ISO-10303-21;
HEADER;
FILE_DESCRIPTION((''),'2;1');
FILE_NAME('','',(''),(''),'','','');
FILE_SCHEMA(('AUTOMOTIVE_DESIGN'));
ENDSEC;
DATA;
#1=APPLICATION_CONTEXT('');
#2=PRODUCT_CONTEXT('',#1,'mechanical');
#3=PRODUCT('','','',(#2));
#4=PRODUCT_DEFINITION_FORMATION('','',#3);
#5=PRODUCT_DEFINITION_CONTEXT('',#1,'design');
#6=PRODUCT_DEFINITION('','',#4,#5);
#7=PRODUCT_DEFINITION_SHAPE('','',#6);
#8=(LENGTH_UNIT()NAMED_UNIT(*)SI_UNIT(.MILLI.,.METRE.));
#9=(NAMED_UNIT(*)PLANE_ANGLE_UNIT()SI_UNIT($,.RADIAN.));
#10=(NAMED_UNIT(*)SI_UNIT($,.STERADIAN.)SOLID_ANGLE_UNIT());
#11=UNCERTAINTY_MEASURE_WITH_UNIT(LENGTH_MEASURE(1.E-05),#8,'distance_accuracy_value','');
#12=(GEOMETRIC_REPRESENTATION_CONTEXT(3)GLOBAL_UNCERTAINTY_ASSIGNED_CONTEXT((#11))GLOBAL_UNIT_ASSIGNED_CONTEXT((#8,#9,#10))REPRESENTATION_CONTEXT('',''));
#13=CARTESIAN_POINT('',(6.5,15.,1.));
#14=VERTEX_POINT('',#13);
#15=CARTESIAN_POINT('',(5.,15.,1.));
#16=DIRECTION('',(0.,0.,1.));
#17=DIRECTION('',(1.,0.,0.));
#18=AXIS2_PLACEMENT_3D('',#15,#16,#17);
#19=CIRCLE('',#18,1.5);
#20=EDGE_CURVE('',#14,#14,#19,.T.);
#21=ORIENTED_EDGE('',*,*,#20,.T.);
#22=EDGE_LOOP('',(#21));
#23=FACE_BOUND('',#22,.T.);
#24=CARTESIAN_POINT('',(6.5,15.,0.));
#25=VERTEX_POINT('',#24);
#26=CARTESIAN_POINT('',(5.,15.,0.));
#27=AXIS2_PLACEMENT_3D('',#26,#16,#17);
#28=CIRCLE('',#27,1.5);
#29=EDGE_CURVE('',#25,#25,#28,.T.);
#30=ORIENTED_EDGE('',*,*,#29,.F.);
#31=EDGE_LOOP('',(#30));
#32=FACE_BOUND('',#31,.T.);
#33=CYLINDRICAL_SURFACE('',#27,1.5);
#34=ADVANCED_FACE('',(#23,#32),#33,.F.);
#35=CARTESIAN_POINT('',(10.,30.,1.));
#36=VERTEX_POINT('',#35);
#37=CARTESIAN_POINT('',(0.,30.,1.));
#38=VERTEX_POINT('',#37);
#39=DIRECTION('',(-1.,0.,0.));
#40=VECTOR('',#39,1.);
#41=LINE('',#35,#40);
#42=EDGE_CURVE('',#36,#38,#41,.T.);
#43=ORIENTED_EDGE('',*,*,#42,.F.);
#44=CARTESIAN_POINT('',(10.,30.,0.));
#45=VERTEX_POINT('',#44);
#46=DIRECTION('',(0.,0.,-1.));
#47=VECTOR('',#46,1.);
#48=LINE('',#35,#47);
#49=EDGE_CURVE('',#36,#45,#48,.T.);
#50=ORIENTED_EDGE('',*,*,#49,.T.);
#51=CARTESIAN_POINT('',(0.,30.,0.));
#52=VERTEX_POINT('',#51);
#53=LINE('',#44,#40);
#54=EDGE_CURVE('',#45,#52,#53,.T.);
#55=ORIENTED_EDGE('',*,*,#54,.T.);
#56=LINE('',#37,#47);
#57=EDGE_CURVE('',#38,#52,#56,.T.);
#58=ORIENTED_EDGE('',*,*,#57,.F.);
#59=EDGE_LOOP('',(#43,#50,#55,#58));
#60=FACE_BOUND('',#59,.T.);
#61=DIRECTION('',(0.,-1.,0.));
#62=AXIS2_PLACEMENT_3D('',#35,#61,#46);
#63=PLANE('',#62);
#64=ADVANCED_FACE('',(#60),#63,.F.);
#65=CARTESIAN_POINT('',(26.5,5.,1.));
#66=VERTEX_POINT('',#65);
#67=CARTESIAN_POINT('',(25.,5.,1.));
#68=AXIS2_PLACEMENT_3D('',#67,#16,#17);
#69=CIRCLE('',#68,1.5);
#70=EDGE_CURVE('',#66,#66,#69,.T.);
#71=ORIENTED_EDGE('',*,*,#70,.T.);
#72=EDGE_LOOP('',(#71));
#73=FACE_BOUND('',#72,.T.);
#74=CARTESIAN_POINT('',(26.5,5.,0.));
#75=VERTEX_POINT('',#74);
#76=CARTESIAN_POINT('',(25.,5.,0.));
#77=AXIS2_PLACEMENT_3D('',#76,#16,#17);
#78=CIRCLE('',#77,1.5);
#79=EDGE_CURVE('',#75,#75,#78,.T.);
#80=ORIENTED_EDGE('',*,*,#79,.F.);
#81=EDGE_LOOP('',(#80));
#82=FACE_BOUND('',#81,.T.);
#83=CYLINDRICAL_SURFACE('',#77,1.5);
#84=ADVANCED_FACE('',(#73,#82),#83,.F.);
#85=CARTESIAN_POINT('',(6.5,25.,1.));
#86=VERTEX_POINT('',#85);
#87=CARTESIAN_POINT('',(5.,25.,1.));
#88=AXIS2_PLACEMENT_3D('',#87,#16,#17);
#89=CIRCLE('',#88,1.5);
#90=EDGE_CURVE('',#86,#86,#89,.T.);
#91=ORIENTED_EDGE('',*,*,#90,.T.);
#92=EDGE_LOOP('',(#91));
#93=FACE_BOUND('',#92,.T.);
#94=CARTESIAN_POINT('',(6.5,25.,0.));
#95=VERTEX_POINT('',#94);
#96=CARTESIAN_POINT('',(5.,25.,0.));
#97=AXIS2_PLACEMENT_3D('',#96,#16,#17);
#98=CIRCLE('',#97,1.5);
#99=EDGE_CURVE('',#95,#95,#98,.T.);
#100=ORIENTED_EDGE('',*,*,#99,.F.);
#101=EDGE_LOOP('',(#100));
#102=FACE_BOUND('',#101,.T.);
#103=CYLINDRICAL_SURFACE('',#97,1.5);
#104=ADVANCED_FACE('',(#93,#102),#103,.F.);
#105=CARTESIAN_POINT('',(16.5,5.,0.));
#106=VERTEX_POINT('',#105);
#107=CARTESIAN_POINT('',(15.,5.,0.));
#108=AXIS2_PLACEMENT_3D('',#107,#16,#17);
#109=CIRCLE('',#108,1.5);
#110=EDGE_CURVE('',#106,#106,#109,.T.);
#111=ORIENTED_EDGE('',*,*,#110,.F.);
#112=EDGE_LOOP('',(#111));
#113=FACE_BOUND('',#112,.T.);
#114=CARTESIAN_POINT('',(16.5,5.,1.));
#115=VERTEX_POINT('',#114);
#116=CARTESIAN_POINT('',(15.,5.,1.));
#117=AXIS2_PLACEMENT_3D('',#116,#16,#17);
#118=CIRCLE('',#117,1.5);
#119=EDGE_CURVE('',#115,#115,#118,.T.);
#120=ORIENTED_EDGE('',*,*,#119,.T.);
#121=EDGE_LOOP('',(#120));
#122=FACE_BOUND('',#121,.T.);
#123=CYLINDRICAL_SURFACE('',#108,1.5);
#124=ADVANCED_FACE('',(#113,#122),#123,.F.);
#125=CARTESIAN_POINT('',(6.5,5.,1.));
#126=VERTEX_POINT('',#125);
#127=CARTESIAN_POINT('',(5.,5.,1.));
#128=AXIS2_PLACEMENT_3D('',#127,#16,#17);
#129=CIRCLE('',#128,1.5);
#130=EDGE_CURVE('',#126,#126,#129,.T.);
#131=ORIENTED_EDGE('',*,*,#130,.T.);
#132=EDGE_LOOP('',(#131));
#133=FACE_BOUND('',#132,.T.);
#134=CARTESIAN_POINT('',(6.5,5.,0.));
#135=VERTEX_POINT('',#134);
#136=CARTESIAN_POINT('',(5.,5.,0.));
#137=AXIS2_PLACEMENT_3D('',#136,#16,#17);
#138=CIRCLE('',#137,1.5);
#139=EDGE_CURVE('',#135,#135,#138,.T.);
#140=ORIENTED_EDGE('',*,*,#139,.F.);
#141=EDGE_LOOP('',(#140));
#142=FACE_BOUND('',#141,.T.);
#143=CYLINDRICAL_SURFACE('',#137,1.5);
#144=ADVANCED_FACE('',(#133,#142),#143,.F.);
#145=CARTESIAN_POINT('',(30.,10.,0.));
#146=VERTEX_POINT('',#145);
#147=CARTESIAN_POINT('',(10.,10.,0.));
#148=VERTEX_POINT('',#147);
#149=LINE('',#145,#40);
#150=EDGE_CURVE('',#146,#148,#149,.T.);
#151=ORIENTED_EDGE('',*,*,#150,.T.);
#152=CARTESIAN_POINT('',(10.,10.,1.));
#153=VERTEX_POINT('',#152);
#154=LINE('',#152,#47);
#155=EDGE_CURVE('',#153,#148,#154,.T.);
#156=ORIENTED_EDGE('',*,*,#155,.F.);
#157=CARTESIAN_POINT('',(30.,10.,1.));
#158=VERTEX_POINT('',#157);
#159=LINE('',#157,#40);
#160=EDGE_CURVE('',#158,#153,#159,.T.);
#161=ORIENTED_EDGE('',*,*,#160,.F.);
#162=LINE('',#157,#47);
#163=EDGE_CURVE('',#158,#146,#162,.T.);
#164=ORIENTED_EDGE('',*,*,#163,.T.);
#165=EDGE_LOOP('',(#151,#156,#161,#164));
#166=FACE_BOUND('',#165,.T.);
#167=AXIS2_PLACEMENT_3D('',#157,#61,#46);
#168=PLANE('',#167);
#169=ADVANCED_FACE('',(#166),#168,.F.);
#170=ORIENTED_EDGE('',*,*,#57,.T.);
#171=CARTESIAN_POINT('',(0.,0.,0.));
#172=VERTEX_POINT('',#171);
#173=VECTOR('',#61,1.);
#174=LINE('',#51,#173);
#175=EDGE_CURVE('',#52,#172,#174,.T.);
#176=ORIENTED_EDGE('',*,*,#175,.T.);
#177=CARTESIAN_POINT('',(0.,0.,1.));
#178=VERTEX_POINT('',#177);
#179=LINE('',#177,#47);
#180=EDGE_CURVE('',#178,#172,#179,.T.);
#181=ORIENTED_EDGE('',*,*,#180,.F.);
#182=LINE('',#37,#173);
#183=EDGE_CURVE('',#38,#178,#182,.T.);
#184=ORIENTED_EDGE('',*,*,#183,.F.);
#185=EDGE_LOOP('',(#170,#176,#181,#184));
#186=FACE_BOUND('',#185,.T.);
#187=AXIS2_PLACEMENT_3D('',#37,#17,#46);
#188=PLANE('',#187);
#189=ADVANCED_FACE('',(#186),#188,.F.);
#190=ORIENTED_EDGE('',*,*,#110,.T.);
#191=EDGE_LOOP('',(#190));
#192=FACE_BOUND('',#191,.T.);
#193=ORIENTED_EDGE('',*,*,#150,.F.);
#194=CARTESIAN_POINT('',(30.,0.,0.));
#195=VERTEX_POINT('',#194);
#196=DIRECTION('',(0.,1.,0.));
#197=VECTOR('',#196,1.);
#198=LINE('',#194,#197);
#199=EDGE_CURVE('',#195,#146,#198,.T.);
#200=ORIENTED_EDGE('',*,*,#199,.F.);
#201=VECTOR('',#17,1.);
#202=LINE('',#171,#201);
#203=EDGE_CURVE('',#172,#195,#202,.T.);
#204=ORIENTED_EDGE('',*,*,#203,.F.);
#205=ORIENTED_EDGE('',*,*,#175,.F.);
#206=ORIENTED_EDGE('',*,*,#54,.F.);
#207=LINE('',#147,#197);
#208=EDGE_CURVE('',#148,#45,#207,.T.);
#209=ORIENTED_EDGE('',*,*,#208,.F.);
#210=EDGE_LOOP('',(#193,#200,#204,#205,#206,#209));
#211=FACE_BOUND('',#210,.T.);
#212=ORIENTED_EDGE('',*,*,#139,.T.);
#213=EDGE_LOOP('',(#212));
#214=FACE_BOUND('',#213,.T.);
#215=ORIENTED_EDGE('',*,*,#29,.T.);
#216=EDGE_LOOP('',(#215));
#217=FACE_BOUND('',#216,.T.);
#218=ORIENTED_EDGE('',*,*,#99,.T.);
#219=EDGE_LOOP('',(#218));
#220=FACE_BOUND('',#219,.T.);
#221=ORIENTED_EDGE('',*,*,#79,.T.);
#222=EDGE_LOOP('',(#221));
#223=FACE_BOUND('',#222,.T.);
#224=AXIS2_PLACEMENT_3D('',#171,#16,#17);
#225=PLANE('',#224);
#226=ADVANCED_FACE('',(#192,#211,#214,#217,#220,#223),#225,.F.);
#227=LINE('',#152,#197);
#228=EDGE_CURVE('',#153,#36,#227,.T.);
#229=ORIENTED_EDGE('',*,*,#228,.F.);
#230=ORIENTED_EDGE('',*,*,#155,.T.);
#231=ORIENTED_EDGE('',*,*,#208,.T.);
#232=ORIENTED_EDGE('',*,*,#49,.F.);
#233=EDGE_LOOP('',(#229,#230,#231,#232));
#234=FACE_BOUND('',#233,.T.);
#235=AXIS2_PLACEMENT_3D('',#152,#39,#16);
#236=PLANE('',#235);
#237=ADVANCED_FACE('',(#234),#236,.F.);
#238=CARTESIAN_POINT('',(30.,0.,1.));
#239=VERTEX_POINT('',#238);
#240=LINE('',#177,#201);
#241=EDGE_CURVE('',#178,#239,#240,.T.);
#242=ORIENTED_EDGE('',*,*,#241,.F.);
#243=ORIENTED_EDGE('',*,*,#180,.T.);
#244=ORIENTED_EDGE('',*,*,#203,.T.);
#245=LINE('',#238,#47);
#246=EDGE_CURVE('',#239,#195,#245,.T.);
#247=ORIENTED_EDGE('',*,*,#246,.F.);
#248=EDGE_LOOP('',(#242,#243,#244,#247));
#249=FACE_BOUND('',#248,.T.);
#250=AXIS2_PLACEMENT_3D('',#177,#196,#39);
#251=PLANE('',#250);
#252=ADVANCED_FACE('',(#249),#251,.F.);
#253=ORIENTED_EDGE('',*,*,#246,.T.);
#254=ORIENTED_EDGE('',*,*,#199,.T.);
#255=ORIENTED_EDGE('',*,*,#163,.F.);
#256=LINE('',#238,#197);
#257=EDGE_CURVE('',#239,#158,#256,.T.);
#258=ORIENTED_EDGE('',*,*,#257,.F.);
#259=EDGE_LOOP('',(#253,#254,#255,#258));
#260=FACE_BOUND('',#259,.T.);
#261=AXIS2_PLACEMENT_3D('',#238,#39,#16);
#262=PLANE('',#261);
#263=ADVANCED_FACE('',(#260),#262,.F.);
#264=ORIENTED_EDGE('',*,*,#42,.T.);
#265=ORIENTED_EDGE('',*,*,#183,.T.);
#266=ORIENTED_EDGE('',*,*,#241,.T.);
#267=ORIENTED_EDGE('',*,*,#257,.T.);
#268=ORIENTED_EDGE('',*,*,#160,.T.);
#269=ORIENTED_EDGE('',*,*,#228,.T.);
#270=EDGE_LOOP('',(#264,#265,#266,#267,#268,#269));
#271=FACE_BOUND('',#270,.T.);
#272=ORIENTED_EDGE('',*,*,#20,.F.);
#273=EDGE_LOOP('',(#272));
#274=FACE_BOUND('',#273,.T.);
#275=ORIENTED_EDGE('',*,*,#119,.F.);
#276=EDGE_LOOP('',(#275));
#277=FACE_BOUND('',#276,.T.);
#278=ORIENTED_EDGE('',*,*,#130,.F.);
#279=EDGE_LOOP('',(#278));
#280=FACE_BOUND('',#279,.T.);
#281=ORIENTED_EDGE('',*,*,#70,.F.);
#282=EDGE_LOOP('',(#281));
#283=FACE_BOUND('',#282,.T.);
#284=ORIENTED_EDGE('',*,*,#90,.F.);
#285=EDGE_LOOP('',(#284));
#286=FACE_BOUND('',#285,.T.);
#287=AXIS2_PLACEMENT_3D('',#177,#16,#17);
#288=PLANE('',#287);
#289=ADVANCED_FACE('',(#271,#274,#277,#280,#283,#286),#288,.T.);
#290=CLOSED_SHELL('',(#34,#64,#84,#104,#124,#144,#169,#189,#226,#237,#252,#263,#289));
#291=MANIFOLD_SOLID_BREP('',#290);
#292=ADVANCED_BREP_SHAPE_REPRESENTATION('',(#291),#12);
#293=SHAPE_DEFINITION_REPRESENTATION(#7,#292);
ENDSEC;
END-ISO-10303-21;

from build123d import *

# Parameters (mm, degrees)
BOSS_EXTRU_1_DEPTH      = 1
ESQUISSE2_R             = 1.5
ENL_V_MAT_EXTRU_1_DEPTH = 2


with BuildPart() as part:
    # Esquisse1 → Boss.-Extru.1 (new body)
    with BuildSketch(Plane.XY):
        Polygon((0, 0), (30, 0), (30, 10), (10, 10), (10, 30), (0, 30), align=None)
    extrude(amount=BOSS_EXTRU_1_DEPTH)

    # Esquisse2 → Enlèv. mat.-Extru.1 (cut, through all)
    with BuildSketch(Plane.XY.offset(1)):
        with Locations((5, 5)):
            Circle(ESQUISSE2_R)
        with Locations((5, 15)):
            Circle(ESQUISSE2_R)
        with Locations((5, 25)):
            Circle(ESQUISSE2_R)
        with Locations((15, 5)):
            Circle(ESQUISSE2_R)
        with Locations((25, 5)):
            Circle(ESQUISSE2_R)
    extrude(amount=-ENL_V_MAT_EXTRU_1_DEPTH, mode=Mode.SUBTRACT)


solid = part.part
